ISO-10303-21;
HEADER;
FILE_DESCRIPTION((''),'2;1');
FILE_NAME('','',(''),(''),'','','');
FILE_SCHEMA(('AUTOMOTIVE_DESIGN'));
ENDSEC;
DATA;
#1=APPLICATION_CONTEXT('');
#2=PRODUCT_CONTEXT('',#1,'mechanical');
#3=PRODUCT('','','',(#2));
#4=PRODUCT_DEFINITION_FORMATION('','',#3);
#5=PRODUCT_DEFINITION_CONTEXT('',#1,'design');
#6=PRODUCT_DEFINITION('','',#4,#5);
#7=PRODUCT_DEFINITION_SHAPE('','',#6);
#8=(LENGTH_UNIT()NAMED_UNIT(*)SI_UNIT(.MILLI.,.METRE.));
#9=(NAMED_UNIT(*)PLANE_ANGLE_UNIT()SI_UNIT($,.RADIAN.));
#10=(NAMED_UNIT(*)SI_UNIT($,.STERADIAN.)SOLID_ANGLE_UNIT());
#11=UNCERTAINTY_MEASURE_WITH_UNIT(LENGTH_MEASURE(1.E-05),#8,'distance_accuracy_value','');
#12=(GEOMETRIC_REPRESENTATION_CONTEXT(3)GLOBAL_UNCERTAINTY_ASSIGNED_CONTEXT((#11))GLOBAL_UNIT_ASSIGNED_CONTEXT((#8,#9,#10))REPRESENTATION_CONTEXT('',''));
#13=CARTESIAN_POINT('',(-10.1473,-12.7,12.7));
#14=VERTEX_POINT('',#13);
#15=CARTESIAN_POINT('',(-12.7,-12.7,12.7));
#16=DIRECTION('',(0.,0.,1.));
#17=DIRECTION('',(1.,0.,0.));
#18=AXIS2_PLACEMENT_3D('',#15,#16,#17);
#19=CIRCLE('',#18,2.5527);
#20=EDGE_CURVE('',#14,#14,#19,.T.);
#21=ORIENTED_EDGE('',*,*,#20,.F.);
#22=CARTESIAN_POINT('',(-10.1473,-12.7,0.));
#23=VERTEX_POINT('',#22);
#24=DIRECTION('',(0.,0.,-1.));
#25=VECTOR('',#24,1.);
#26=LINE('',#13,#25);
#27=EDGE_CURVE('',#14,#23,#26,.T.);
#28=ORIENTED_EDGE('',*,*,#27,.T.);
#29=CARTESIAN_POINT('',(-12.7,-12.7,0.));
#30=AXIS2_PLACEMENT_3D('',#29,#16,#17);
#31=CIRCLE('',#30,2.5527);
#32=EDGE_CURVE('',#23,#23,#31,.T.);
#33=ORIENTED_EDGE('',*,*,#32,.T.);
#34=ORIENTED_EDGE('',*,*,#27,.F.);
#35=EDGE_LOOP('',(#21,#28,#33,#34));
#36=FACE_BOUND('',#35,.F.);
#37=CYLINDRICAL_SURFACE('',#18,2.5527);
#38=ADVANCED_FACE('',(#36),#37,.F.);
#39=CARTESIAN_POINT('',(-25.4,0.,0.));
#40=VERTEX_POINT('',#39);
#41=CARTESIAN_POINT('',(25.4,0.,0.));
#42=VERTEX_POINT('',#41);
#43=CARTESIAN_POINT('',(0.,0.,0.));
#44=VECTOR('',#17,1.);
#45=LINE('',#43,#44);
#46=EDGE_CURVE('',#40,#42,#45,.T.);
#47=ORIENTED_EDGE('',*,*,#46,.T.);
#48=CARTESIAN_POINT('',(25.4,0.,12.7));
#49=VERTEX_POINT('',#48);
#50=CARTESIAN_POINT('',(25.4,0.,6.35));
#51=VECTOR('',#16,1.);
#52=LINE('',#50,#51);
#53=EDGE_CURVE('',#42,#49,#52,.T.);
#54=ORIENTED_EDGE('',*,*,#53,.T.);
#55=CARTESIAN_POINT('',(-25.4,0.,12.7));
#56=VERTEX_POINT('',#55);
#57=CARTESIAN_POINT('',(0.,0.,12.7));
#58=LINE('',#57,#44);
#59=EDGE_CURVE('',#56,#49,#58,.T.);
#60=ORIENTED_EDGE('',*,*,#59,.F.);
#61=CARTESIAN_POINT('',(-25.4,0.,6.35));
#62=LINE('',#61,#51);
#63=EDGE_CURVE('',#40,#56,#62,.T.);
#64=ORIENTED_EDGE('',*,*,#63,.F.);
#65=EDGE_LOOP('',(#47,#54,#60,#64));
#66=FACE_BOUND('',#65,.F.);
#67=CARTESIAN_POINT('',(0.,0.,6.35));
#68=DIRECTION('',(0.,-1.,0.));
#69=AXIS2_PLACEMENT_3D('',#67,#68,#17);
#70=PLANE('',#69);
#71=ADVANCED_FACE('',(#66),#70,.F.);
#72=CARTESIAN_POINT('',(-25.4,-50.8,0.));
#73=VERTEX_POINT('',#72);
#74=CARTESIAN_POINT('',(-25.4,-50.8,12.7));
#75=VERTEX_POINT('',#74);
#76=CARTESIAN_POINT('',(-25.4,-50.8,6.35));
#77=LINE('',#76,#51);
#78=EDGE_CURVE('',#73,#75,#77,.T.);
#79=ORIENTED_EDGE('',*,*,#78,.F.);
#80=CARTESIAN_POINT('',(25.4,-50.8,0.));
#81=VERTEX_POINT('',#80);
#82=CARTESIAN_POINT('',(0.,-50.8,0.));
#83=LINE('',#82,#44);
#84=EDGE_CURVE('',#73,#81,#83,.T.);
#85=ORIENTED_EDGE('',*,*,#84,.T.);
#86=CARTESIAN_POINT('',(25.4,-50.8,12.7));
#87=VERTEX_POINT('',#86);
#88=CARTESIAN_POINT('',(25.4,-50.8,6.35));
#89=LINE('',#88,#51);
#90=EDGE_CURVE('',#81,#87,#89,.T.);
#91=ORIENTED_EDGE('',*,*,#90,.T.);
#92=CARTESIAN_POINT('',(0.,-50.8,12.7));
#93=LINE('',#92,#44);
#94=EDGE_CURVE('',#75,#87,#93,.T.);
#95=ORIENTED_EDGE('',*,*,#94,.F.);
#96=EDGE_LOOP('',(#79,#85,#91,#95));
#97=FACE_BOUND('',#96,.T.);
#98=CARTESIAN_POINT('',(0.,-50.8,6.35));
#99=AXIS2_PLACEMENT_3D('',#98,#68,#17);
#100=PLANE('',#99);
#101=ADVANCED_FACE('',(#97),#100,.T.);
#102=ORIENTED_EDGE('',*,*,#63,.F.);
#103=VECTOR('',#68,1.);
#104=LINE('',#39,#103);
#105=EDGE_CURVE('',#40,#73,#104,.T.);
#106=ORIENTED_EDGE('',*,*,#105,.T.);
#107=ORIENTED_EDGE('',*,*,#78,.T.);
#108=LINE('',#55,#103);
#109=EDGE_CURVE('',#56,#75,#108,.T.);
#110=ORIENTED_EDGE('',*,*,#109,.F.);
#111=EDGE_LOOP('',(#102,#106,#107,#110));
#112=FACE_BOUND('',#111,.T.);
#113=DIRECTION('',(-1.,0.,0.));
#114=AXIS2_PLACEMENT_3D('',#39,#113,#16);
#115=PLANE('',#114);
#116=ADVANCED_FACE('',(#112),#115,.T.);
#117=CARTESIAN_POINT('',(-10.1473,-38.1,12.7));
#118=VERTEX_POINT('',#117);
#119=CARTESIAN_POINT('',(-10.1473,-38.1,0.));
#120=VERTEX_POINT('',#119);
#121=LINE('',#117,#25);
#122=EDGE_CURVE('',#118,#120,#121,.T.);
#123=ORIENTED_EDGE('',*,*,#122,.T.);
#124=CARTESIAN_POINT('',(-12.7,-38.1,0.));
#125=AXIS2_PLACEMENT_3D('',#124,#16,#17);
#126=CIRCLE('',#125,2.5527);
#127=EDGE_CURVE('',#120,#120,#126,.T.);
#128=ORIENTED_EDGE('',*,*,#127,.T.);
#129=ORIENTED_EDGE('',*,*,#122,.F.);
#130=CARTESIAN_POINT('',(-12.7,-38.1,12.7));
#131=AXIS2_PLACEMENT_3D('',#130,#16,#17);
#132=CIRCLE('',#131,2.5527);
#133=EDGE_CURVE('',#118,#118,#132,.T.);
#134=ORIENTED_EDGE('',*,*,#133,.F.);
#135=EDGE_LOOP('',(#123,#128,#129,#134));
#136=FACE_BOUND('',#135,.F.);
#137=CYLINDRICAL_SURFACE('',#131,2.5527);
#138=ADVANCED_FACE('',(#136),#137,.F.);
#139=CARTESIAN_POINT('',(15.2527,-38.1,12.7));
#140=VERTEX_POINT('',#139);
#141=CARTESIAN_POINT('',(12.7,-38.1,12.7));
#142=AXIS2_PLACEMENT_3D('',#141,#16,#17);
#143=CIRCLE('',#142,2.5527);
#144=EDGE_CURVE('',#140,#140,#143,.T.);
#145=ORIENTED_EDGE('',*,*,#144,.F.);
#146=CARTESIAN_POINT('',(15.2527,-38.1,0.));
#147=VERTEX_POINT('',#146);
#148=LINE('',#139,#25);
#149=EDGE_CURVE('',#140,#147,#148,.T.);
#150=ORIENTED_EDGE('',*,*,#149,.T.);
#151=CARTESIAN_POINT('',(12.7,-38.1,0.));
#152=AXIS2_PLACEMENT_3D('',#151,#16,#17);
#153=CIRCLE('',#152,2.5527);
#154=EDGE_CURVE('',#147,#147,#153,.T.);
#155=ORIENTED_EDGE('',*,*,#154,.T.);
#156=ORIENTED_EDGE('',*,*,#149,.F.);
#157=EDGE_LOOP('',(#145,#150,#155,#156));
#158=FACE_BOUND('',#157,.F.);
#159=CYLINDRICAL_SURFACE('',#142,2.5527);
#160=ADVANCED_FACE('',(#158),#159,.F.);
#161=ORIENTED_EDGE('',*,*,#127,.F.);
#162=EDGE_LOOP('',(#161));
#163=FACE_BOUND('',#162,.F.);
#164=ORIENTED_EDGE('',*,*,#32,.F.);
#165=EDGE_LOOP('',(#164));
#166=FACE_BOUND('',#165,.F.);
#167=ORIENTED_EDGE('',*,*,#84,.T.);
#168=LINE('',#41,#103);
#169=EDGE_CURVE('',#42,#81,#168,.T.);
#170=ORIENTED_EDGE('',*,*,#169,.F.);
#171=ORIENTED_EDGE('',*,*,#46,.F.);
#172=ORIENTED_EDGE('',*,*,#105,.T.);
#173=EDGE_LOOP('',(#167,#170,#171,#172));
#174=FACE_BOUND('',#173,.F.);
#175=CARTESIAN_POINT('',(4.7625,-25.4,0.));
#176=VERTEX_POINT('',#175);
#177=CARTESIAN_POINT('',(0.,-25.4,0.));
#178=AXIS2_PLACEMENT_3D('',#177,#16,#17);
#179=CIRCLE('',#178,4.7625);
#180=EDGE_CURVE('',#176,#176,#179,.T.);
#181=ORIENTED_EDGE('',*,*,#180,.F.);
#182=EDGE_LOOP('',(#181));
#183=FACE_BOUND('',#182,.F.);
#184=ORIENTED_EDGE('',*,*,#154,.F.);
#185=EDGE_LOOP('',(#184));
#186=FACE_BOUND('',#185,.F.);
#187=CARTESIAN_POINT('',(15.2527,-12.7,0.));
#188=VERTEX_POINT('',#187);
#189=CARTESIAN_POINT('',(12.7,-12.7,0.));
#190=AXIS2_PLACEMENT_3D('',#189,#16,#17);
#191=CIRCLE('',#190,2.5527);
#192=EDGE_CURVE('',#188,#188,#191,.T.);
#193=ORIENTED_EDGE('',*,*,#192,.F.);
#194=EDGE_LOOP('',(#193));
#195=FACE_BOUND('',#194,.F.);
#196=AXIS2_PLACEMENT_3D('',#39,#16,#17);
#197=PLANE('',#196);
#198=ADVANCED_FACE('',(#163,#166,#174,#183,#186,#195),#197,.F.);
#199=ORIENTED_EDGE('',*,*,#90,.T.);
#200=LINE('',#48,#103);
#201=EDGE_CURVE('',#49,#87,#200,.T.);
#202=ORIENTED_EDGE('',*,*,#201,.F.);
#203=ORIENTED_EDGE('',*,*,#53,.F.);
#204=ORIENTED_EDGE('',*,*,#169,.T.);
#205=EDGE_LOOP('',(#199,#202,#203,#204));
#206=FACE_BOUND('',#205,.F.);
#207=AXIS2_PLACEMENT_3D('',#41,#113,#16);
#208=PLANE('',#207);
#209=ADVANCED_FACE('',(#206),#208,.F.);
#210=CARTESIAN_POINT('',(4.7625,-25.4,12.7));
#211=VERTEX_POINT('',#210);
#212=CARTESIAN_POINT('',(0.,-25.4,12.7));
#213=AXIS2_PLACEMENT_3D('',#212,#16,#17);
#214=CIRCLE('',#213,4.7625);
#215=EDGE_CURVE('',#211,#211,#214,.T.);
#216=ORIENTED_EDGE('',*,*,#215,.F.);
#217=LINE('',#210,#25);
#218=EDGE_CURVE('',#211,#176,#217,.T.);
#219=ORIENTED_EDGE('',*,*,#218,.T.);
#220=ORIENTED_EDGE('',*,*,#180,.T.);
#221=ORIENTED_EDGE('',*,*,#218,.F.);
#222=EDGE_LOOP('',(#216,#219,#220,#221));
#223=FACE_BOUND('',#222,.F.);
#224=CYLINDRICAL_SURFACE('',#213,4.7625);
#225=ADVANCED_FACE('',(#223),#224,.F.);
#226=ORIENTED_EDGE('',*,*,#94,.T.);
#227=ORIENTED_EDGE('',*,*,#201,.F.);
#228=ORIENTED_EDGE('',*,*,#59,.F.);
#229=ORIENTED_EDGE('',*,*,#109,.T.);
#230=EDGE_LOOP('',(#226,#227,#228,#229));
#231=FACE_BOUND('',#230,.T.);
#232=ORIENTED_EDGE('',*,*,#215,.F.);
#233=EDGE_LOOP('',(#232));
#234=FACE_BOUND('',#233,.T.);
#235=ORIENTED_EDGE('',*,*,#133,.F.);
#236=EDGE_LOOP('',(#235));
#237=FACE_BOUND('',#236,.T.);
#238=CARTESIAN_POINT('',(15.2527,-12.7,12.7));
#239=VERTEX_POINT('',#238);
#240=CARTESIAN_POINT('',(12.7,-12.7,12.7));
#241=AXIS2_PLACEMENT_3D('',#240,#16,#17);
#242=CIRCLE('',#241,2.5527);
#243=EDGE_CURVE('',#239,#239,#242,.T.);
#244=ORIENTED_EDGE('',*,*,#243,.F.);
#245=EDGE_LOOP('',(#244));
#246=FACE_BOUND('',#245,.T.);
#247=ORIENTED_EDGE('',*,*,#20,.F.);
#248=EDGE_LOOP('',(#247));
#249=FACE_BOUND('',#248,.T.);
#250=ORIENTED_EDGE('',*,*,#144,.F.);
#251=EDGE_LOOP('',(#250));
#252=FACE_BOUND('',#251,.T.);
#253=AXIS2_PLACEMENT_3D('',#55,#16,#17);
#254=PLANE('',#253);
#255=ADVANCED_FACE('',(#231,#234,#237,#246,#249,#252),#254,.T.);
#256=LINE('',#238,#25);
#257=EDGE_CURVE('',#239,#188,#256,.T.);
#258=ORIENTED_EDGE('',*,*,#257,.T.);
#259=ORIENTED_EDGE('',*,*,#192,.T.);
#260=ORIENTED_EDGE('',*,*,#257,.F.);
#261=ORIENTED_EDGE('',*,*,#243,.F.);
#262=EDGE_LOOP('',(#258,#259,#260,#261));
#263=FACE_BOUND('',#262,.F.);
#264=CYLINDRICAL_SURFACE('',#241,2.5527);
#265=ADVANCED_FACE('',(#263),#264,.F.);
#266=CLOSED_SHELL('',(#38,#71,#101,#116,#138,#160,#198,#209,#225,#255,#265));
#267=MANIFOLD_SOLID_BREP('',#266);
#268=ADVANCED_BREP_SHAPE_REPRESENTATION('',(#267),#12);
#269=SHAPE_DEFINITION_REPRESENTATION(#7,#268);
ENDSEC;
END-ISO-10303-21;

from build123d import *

# Parameters (mm, degrees)
F0_W          = 50.8
F0_H          = 12.7
F1_DEPTH      = 50.8
F2_R          = 2.5527
F2_R_2        = 4.7625
F3_DEPTH      = 12.701
F4_W          = 50.8
F4_H          = 50.8
F4_R          = 4.7625
F4_R_2        = 9.525
F5_DEPTH      = 12.7
F6_W          = 50.8
F6_H          = 50.8
F6_R          = 4.7625
F6_R_2        = 3.175
F7_DEPTH      = 6.35
F8_R          = 2.8575
F9_DEPTH      = 38.1
F9_DEPTH_BACK = 15.875
F10_R         = 19.05
F11_DEPTH     = 9.525
F12_R         = 2.8575
F13_DEPTH     = 1.5875


with BuildPart() as f1:
    # F0 (on Front) → F1 (new body)
    with BuildSketch(Plane.XZ):
        with Locations((0, 6.35)):
            Rectangle(F0_W, F0_H)
    extrude(amount=F1_DEPTH)

    # F2 (on face) → F3 (cut, through all)
    with BuildSketch(Plane.XY.offset(12.7)):
        with Locations((-12.7, -12.7)):
            Circle(F2_R)
        with Locations((-12.7, -38.1)):
            Circle(F2_R)
        with Locations((12.7, -38.1)):
            Circle(F2_R)
        with Locations((12.7, -12.7)):
            Circle(F2_R)
        with Locations((0, -25.4)):
            Circle(F2_R_2)
    extrude(amount=-F3_DEPTH, mode=Mode.SUBTRACT)


with BuildPart() as f5:
    # F4 (on face) → F5 (new body)
    with BuildSketch(Plane.XY.offset(12.7)):
        with Locations((0, -25.4)):
            Rectangle(F4_W, F4_H)
        with Locations((-12.7, -38.1)):
            Circle(F4_R, mode=Mode.SUBTRACT)
        with Locations((0, -25.4)):
            Circle(F4_R_2, mode=Mode.SUBTRACT)
        with Locations((12.7, -38.1)):
            Circle(F4_R, mode=Mode.SUBTRACT)
        with Locations((-12.7, -12.7)):
            Circle(F4_R, mode=Mode.SUBTRACT)
        with Locations((12.7, -12.7)):
            Circle(F4_R, mode=Mode.SUBTRACT)
    extrude(amount=F5_DEPTH)

    # F6 (on face) → F7 (join)
    with BuildSketch(Plane.XY.offset(25.4)):
        with Locations((0, -25.4)):
            Rectangle(F6_W, F6_H)
        with Locations((-12.7, -38.1)):
            Circle(F6_R, mode=Mode.SUBTRACT)
        with Locations((0, -25.4)):
            Circle(F6_R_2, mode=Mode.SUBTRACT)
        with Locations((12.7, -38.1)):
            Circle(F6_R, mode=Mode.SUBTRACT)
        with Locations((-12.7, -12.7)):
            Circle(F6_R, mode=Mode.SUBTRACT)
        with Locations((12.7, -12.7)):
            Circle(F6_R, mode=Mode.SUBTRACT)
    extrude(amount=F7_DEPTH)


with BuildPart() as f9:
    # F8 (on face) → F9 (new body, two sides)
    with BuildSketch(Plane.XY.offset(31.75)) as f9_sk:
        with Locations((0, -25.4)):
            Circle(F8_R)
    extrude(amount=-F9_DEPTH)
    extrude(f9_sk.sketch, amount=-F9_DEPTH_BACK)

    # F10 (on face) → F11 (join)
    with BuildSketch(Plane.XY.offset(47.625)):
        with Locations((0, -25.4)):
            Circle(F10_R)
    extrude(amount=F11_DEPTH)


with BuildPart() as f13:
    # F12 (on face) → F13 (new body)
    with BuildSketch(Plane.XY.offset(12.7)):
        Polygon((4.7625, -28.149631), (4.7625, -22.650369), (0, -19.900739), (-4.7625, -22.650369), (-4.7625, -28.149631), (0, -30.899261), align=None)
        with Locations((0, -25.4)):
            Circle(F12_R, mode=Mode.SUBTRACT)
    extrude(amount=F13_DEPTH)


solid = f1.part
